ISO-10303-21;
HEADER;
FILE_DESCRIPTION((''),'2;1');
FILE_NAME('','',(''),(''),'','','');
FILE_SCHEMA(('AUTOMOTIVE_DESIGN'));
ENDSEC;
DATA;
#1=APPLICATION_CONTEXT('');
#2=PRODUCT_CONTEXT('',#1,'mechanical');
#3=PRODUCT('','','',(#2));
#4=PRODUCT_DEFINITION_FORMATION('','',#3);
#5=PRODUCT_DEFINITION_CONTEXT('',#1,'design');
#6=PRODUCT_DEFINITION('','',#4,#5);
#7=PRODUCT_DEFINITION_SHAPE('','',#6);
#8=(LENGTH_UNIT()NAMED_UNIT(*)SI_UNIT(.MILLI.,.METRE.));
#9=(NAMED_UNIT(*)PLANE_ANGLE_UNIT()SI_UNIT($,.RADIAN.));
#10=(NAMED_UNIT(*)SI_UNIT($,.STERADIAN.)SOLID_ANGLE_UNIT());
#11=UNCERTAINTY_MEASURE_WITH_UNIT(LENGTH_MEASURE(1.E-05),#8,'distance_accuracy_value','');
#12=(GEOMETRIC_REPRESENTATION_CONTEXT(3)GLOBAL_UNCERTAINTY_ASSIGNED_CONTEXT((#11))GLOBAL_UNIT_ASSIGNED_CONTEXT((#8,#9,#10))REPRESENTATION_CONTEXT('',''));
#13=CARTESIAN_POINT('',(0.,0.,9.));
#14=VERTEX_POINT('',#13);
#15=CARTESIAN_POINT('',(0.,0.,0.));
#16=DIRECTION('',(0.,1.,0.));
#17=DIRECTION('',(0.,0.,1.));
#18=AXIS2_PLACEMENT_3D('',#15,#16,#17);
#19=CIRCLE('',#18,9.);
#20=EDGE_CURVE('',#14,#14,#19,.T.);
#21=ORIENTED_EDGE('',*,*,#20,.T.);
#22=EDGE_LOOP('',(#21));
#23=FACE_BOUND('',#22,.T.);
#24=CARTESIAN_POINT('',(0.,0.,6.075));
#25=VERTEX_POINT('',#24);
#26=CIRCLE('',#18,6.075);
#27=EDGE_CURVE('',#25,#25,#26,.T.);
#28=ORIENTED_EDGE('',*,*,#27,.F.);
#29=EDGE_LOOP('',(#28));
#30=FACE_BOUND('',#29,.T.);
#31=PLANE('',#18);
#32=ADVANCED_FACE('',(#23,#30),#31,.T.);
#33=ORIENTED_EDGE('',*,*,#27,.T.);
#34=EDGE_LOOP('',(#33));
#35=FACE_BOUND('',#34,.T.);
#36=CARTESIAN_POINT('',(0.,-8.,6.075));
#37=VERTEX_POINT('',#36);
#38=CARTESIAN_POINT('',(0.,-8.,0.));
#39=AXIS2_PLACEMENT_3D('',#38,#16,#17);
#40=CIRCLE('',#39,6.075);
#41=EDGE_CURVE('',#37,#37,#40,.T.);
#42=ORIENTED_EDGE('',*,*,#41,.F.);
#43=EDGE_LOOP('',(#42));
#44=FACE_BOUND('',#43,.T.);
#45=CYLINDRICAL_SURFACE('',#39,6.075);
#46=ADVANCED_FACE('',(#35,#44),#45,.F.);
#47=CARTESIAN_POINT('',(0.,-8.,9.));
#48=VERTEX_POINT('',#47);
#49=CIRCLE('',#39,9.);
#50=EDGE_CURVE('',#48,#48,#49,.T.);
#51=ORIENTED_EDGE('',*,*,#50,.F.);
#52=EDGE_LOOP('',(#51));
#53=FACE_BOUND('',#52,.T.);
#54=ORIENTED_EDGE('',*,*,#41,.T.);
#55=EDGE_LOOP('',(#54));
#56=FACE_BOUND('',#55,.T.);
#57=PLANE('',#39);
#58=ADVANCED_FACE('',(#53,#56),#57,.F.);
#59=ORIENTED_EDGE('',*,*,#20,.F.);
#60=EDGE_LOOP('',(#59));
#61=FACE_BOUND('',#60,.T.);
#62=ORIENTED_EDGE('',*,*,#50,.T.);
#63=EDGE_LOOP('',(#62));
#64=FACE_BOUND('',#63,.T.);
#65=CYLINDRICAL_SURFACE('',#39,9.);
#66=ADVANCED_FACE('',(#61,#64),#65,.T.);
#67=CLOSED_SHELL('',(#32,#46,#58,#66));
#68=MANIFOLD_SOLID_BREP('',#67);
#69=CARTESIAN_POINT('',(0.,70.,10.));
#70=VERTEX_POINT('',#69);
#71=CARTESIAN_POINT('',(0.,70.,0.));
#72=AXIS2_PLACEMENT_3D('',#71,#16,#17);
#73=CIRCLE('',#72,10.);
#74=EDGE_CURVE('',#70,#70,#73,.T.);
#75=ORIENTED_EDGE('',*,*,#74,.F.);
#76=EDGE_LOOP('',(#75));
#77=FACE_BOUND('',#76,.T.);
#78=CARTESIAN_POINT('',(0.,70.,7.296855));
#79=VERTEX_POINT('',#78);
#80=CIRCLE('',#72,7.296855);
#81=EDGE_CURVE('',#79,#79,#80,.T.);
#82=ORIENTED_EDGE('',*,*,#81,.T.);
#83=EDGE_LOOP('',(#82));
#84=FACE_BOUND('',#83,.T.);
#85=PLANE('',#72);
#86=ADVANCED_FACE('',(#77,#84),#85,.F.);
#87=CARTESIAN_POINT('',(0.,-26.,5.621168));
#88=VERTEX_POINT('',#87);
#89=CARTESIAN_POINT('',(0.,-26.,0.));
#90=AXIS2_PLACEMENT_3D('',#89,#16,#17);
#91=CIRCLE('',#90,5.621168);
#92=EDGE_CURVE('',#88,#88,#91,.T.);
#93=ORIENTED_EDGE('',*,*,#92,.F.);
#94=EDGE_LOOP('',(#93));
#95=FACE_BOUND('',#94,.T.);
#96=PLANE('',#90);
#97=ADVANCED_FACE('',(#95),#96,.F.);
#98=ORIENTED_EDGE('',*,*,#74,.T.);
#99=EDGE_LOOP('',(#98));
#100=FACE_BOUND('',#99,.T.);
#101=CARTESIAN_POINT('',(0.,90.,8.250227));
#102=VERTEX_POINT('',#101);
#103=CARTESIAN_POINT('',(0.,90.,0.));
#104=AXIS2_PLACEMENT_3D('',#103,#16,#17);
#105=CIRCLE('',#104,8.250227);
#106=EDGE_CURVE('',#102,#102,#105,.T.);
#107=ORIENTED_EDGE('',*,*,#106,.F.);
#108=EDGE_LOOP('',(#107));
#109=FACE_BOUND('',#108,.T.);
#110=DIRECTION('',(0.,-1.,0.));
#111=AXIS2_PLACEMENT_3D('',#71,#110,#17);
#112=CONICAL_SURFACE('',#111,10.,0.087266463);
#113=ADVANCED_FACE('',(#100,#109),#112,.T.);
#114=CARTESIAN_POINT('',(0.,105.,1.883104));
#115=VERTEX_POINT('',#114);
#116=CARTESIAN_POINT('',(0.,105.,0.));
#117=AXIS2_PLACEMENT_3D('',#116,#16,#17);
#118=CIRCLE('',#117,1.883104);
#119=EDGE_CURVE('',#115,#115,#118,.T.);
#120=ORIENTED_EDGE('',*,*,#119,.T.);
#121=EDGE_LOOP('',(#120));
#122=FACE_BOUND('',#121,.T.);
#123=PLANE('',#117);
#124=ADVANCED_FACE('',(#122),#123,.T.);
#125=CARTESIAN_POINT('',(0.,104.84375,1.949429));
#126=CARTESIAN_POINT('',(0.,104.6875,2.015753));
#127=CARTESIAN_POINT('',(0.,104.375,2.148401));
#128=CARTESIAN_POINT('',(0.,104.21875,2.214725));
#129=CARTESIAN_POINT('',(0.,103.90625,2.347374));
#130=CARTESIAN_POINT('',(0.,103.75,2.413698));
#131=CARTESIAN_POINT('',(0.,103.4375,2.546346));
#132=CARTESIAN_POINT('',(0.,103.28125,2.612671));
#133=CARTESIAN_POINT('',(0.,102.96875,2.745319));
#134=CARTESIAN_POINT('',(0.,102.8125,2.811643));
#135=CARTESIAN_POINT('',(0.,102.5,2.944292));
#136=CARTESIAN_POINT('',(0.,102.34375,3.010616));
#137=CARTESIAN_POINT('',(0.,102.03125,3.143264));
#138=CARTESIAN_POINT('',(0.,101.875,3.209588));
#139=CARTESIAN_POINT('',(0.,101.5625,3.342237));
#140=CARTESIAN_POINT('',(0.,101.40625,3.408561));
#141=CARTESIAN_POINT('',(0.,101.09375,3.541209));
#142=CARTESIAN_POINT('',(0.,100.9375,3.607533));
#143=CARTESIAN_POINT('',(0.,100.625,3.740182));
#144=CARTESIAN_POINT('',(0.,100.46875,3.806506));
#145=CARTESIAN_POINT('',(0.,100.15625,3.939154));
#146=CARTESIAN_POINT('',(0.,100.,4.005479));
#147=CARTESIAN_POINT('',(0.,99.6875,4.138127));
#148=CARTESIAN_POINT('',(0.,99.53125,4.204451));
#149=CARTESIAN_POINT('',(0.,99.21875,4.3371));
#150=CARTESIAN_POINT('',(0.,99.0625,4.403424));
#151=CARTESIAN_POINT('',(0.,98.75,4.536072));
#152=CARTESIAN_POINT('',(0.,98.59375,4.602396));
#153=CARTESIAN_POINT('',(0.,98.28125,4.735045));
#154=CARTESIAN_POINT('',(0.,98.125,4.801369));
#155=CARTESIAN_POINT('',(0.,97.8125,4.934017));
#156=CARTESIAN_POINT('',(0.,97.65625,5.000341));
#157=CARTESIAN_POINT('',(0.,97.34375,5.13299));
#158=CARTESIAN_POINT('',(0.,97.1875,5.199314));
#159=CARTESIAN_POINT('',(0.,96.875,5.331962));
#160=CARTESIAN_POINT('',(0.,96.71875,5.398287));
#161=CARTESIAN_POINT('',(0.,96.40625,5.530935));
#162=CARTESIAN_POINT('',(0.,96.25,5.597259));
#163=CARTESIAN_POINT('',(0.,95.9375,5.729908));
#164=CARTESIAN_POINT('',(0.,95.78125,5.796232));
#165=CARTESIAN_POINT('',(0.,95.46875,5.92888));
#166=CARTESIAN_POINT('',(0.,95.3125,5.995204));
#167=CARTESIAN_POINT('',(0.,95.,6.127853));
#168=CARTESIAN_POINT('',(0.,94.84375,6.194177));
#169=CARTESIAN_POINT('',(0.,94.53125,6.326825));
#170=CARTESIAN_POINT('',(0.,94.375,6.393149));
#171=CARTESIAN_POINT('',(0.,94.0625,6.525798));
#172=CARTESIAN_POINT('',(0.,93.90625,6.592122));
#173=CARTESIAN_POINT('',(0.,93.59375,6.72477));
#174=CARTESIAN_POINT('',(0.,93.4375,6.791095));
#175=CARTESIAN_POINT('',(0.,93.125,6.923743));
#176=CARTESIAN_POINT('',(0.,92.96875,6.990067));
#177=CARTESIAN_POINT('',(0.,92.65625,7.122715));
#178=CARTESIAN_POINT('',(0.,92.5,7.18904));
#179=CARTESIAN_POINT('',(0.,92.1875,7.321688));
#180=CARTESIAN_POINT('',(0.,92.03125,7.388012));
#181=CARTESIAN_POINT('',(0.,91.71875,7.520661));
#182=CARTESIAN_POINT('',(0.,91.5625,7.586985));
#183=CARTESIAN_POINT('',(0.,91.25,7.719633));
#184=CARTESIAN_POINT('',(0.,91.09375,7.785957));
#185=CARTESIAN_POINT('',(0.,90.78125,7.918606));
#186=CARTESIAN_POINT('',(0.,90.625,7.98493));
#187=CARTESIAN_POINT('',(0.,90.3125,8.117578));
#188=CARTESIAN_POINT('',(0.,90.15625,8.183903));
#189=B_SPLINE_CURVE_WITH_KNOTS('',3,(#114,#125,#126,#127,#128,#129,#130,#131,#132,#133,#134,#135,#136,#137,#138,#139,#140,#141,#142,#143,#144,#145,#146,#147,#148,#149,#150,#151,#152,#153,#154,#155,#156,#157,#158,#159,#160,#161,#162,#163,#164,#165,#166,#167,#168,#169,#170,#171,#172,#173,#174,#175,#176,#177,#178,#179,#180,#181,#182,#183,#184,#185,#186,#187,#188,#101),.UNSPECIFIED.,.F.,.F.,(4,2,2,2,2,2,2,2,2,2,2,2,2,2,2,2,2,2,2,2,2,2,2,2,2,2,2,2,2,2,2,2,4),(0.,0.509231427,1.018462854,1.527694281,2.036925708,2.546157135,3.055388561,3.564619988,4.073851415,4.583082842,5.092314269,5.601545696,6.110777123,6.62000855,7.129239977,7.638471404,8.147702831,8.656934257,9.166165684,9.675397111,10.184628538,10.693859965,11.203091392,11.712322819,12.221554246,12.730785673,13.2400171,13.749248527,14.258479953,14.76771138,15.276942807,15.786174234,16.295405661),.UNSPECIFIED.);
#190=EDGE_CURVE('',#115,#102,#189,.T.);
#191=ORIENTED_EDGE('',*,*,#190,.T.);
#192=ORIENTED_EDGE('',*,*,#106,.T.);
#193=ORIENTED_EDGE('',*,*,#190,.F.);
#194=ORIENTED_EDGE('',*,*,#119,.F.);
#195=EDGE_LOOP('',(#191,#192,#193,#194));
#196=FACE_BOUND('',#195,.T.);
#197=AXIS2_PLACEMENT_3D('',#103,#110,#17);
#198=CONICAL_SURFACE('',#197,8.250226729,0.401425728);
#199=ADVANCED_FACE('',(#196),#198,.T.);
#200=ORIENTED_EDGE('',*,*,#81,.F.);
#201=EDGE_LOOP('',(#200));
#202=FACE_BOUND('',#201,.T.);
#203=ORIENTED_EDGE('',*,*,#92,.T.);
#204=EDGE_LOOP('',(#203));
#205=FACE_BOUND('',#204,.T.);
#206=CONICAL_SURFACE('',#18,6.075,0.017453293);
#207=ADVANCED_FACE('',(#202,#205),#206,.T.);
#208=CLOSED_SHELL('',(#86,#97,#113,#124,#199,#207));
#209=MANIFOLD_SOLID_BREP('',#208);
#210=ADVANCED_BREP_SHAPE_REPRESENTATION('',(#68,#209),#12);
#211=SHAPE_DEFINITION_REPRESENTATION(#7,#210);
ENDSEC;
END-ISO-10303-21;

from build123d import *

# Parameters (mm, degrees)
SKETCH1_R                     = 9
SKETCH1_R_2                   = 6.075
BOSS_EXTRUDE1_DEPTH           = 8
SKETCH1_2_R                   = 6.075
BOSS_EXTRUDE2_DEPTH           = 70
BOSS_EXTRUDE2_TAPER           = -1
BOSS_EXTRUDE2_OTHER_WAY_DEPTH = 26
BOSS_EXTRUDE2_OTHER_WAY_TAPER = 1
SKETCH4_R                     = 10
BOSS_EXTRUDE3_DEPTH           = 20
BOSS_EXTRUDE3_TAPER           = 5
SKETCH5_R                     = 8.250226729
BOSS_EXTRUDE4_DEPTH           = 15
BOSS_EXTRUDE4_TAPER           = 23


with BuildPart() as part:
    # Sketch1 → Boss-Extrude1 (new body)
    with BuildSketch(Plane(origin=(0, 0, 0), x_dir=(1, 0, 0), z_dir=(0, 1, 0))):
        with Locations(Location((0, 0, 0), (0, 0, 270))):
            Circle(SKETCH1_R)
        with Locations(Location((0, 0, 0), (0, 0, 270))):
            Circle(SKETCH1_R_2, mode=Mode.SUBTRACT)
    extrude(amount=-BOSS_EXTRUDE1_DEPTH)



with BuildPart() as body_2:
    # Sketch1<2> → Boss-Extrude2 (new body)
    with BuildSketch(Plane(origin=(0, 0, 0), x_dir=(1, 0, 0), z_dir=(0, 1, 0))):
        with Locations(Location((0, 0, 0), (0, 0, 270))):
            Circle(SKETCH1_2_R)
    extrude(amount=BOSS_EXTRUDE2_DEPTH, taper=BOSS_EXTRUDE2_TAPER)


with BuildPart() as part_1:
    add(part.part)

    add(body_2.part)  # Boss-Extrude2 other way merges body 2
    # Sketch1<2> → Boss-Extrude2 other way (add)
    with BuildSketch(Plane(origin=(0, 0, 0), x_dir=(1, 0, 0), z_dir=(0, 1, 0))):
        with Locations(Location((0, 0, 0), (0, 0, 270))):
            Circle(SKETCH1_2_R)
    extrude(amount=-BOSS_EXTRUDE2_OTHER_WAY_DEPTH, taper=BOSS_EXTRUDE2_OTHER_WAY_TAPER)

    # Sketch4 → Boss-Extrude3 (add)
    with BuildSketch(Plane(origin=(0, 70, 0), x_dir=(1, 0, 0), z_dir=(0, 1, 0))):
        Circle(SKETCH4_R)
    extrude(amount=BOSS_EXTRUDE3_DEPTH, taper=BOSS_EXTRUDE3_TAPER)

    # Sketch5 → Boss-Extrude4 (add)
    with BuildSketch(Plane(origin=(0, 90, 0), x_dir=(1, 0, 0), z_dir=(0, 1, 0))):
        Circle(SKETCH5_R)
    extrude(amount=BOSS_EXTRUDE4_DEPTH, taper=BOSS_EXTRUDE4_TAPER)


solid = part_1.part
